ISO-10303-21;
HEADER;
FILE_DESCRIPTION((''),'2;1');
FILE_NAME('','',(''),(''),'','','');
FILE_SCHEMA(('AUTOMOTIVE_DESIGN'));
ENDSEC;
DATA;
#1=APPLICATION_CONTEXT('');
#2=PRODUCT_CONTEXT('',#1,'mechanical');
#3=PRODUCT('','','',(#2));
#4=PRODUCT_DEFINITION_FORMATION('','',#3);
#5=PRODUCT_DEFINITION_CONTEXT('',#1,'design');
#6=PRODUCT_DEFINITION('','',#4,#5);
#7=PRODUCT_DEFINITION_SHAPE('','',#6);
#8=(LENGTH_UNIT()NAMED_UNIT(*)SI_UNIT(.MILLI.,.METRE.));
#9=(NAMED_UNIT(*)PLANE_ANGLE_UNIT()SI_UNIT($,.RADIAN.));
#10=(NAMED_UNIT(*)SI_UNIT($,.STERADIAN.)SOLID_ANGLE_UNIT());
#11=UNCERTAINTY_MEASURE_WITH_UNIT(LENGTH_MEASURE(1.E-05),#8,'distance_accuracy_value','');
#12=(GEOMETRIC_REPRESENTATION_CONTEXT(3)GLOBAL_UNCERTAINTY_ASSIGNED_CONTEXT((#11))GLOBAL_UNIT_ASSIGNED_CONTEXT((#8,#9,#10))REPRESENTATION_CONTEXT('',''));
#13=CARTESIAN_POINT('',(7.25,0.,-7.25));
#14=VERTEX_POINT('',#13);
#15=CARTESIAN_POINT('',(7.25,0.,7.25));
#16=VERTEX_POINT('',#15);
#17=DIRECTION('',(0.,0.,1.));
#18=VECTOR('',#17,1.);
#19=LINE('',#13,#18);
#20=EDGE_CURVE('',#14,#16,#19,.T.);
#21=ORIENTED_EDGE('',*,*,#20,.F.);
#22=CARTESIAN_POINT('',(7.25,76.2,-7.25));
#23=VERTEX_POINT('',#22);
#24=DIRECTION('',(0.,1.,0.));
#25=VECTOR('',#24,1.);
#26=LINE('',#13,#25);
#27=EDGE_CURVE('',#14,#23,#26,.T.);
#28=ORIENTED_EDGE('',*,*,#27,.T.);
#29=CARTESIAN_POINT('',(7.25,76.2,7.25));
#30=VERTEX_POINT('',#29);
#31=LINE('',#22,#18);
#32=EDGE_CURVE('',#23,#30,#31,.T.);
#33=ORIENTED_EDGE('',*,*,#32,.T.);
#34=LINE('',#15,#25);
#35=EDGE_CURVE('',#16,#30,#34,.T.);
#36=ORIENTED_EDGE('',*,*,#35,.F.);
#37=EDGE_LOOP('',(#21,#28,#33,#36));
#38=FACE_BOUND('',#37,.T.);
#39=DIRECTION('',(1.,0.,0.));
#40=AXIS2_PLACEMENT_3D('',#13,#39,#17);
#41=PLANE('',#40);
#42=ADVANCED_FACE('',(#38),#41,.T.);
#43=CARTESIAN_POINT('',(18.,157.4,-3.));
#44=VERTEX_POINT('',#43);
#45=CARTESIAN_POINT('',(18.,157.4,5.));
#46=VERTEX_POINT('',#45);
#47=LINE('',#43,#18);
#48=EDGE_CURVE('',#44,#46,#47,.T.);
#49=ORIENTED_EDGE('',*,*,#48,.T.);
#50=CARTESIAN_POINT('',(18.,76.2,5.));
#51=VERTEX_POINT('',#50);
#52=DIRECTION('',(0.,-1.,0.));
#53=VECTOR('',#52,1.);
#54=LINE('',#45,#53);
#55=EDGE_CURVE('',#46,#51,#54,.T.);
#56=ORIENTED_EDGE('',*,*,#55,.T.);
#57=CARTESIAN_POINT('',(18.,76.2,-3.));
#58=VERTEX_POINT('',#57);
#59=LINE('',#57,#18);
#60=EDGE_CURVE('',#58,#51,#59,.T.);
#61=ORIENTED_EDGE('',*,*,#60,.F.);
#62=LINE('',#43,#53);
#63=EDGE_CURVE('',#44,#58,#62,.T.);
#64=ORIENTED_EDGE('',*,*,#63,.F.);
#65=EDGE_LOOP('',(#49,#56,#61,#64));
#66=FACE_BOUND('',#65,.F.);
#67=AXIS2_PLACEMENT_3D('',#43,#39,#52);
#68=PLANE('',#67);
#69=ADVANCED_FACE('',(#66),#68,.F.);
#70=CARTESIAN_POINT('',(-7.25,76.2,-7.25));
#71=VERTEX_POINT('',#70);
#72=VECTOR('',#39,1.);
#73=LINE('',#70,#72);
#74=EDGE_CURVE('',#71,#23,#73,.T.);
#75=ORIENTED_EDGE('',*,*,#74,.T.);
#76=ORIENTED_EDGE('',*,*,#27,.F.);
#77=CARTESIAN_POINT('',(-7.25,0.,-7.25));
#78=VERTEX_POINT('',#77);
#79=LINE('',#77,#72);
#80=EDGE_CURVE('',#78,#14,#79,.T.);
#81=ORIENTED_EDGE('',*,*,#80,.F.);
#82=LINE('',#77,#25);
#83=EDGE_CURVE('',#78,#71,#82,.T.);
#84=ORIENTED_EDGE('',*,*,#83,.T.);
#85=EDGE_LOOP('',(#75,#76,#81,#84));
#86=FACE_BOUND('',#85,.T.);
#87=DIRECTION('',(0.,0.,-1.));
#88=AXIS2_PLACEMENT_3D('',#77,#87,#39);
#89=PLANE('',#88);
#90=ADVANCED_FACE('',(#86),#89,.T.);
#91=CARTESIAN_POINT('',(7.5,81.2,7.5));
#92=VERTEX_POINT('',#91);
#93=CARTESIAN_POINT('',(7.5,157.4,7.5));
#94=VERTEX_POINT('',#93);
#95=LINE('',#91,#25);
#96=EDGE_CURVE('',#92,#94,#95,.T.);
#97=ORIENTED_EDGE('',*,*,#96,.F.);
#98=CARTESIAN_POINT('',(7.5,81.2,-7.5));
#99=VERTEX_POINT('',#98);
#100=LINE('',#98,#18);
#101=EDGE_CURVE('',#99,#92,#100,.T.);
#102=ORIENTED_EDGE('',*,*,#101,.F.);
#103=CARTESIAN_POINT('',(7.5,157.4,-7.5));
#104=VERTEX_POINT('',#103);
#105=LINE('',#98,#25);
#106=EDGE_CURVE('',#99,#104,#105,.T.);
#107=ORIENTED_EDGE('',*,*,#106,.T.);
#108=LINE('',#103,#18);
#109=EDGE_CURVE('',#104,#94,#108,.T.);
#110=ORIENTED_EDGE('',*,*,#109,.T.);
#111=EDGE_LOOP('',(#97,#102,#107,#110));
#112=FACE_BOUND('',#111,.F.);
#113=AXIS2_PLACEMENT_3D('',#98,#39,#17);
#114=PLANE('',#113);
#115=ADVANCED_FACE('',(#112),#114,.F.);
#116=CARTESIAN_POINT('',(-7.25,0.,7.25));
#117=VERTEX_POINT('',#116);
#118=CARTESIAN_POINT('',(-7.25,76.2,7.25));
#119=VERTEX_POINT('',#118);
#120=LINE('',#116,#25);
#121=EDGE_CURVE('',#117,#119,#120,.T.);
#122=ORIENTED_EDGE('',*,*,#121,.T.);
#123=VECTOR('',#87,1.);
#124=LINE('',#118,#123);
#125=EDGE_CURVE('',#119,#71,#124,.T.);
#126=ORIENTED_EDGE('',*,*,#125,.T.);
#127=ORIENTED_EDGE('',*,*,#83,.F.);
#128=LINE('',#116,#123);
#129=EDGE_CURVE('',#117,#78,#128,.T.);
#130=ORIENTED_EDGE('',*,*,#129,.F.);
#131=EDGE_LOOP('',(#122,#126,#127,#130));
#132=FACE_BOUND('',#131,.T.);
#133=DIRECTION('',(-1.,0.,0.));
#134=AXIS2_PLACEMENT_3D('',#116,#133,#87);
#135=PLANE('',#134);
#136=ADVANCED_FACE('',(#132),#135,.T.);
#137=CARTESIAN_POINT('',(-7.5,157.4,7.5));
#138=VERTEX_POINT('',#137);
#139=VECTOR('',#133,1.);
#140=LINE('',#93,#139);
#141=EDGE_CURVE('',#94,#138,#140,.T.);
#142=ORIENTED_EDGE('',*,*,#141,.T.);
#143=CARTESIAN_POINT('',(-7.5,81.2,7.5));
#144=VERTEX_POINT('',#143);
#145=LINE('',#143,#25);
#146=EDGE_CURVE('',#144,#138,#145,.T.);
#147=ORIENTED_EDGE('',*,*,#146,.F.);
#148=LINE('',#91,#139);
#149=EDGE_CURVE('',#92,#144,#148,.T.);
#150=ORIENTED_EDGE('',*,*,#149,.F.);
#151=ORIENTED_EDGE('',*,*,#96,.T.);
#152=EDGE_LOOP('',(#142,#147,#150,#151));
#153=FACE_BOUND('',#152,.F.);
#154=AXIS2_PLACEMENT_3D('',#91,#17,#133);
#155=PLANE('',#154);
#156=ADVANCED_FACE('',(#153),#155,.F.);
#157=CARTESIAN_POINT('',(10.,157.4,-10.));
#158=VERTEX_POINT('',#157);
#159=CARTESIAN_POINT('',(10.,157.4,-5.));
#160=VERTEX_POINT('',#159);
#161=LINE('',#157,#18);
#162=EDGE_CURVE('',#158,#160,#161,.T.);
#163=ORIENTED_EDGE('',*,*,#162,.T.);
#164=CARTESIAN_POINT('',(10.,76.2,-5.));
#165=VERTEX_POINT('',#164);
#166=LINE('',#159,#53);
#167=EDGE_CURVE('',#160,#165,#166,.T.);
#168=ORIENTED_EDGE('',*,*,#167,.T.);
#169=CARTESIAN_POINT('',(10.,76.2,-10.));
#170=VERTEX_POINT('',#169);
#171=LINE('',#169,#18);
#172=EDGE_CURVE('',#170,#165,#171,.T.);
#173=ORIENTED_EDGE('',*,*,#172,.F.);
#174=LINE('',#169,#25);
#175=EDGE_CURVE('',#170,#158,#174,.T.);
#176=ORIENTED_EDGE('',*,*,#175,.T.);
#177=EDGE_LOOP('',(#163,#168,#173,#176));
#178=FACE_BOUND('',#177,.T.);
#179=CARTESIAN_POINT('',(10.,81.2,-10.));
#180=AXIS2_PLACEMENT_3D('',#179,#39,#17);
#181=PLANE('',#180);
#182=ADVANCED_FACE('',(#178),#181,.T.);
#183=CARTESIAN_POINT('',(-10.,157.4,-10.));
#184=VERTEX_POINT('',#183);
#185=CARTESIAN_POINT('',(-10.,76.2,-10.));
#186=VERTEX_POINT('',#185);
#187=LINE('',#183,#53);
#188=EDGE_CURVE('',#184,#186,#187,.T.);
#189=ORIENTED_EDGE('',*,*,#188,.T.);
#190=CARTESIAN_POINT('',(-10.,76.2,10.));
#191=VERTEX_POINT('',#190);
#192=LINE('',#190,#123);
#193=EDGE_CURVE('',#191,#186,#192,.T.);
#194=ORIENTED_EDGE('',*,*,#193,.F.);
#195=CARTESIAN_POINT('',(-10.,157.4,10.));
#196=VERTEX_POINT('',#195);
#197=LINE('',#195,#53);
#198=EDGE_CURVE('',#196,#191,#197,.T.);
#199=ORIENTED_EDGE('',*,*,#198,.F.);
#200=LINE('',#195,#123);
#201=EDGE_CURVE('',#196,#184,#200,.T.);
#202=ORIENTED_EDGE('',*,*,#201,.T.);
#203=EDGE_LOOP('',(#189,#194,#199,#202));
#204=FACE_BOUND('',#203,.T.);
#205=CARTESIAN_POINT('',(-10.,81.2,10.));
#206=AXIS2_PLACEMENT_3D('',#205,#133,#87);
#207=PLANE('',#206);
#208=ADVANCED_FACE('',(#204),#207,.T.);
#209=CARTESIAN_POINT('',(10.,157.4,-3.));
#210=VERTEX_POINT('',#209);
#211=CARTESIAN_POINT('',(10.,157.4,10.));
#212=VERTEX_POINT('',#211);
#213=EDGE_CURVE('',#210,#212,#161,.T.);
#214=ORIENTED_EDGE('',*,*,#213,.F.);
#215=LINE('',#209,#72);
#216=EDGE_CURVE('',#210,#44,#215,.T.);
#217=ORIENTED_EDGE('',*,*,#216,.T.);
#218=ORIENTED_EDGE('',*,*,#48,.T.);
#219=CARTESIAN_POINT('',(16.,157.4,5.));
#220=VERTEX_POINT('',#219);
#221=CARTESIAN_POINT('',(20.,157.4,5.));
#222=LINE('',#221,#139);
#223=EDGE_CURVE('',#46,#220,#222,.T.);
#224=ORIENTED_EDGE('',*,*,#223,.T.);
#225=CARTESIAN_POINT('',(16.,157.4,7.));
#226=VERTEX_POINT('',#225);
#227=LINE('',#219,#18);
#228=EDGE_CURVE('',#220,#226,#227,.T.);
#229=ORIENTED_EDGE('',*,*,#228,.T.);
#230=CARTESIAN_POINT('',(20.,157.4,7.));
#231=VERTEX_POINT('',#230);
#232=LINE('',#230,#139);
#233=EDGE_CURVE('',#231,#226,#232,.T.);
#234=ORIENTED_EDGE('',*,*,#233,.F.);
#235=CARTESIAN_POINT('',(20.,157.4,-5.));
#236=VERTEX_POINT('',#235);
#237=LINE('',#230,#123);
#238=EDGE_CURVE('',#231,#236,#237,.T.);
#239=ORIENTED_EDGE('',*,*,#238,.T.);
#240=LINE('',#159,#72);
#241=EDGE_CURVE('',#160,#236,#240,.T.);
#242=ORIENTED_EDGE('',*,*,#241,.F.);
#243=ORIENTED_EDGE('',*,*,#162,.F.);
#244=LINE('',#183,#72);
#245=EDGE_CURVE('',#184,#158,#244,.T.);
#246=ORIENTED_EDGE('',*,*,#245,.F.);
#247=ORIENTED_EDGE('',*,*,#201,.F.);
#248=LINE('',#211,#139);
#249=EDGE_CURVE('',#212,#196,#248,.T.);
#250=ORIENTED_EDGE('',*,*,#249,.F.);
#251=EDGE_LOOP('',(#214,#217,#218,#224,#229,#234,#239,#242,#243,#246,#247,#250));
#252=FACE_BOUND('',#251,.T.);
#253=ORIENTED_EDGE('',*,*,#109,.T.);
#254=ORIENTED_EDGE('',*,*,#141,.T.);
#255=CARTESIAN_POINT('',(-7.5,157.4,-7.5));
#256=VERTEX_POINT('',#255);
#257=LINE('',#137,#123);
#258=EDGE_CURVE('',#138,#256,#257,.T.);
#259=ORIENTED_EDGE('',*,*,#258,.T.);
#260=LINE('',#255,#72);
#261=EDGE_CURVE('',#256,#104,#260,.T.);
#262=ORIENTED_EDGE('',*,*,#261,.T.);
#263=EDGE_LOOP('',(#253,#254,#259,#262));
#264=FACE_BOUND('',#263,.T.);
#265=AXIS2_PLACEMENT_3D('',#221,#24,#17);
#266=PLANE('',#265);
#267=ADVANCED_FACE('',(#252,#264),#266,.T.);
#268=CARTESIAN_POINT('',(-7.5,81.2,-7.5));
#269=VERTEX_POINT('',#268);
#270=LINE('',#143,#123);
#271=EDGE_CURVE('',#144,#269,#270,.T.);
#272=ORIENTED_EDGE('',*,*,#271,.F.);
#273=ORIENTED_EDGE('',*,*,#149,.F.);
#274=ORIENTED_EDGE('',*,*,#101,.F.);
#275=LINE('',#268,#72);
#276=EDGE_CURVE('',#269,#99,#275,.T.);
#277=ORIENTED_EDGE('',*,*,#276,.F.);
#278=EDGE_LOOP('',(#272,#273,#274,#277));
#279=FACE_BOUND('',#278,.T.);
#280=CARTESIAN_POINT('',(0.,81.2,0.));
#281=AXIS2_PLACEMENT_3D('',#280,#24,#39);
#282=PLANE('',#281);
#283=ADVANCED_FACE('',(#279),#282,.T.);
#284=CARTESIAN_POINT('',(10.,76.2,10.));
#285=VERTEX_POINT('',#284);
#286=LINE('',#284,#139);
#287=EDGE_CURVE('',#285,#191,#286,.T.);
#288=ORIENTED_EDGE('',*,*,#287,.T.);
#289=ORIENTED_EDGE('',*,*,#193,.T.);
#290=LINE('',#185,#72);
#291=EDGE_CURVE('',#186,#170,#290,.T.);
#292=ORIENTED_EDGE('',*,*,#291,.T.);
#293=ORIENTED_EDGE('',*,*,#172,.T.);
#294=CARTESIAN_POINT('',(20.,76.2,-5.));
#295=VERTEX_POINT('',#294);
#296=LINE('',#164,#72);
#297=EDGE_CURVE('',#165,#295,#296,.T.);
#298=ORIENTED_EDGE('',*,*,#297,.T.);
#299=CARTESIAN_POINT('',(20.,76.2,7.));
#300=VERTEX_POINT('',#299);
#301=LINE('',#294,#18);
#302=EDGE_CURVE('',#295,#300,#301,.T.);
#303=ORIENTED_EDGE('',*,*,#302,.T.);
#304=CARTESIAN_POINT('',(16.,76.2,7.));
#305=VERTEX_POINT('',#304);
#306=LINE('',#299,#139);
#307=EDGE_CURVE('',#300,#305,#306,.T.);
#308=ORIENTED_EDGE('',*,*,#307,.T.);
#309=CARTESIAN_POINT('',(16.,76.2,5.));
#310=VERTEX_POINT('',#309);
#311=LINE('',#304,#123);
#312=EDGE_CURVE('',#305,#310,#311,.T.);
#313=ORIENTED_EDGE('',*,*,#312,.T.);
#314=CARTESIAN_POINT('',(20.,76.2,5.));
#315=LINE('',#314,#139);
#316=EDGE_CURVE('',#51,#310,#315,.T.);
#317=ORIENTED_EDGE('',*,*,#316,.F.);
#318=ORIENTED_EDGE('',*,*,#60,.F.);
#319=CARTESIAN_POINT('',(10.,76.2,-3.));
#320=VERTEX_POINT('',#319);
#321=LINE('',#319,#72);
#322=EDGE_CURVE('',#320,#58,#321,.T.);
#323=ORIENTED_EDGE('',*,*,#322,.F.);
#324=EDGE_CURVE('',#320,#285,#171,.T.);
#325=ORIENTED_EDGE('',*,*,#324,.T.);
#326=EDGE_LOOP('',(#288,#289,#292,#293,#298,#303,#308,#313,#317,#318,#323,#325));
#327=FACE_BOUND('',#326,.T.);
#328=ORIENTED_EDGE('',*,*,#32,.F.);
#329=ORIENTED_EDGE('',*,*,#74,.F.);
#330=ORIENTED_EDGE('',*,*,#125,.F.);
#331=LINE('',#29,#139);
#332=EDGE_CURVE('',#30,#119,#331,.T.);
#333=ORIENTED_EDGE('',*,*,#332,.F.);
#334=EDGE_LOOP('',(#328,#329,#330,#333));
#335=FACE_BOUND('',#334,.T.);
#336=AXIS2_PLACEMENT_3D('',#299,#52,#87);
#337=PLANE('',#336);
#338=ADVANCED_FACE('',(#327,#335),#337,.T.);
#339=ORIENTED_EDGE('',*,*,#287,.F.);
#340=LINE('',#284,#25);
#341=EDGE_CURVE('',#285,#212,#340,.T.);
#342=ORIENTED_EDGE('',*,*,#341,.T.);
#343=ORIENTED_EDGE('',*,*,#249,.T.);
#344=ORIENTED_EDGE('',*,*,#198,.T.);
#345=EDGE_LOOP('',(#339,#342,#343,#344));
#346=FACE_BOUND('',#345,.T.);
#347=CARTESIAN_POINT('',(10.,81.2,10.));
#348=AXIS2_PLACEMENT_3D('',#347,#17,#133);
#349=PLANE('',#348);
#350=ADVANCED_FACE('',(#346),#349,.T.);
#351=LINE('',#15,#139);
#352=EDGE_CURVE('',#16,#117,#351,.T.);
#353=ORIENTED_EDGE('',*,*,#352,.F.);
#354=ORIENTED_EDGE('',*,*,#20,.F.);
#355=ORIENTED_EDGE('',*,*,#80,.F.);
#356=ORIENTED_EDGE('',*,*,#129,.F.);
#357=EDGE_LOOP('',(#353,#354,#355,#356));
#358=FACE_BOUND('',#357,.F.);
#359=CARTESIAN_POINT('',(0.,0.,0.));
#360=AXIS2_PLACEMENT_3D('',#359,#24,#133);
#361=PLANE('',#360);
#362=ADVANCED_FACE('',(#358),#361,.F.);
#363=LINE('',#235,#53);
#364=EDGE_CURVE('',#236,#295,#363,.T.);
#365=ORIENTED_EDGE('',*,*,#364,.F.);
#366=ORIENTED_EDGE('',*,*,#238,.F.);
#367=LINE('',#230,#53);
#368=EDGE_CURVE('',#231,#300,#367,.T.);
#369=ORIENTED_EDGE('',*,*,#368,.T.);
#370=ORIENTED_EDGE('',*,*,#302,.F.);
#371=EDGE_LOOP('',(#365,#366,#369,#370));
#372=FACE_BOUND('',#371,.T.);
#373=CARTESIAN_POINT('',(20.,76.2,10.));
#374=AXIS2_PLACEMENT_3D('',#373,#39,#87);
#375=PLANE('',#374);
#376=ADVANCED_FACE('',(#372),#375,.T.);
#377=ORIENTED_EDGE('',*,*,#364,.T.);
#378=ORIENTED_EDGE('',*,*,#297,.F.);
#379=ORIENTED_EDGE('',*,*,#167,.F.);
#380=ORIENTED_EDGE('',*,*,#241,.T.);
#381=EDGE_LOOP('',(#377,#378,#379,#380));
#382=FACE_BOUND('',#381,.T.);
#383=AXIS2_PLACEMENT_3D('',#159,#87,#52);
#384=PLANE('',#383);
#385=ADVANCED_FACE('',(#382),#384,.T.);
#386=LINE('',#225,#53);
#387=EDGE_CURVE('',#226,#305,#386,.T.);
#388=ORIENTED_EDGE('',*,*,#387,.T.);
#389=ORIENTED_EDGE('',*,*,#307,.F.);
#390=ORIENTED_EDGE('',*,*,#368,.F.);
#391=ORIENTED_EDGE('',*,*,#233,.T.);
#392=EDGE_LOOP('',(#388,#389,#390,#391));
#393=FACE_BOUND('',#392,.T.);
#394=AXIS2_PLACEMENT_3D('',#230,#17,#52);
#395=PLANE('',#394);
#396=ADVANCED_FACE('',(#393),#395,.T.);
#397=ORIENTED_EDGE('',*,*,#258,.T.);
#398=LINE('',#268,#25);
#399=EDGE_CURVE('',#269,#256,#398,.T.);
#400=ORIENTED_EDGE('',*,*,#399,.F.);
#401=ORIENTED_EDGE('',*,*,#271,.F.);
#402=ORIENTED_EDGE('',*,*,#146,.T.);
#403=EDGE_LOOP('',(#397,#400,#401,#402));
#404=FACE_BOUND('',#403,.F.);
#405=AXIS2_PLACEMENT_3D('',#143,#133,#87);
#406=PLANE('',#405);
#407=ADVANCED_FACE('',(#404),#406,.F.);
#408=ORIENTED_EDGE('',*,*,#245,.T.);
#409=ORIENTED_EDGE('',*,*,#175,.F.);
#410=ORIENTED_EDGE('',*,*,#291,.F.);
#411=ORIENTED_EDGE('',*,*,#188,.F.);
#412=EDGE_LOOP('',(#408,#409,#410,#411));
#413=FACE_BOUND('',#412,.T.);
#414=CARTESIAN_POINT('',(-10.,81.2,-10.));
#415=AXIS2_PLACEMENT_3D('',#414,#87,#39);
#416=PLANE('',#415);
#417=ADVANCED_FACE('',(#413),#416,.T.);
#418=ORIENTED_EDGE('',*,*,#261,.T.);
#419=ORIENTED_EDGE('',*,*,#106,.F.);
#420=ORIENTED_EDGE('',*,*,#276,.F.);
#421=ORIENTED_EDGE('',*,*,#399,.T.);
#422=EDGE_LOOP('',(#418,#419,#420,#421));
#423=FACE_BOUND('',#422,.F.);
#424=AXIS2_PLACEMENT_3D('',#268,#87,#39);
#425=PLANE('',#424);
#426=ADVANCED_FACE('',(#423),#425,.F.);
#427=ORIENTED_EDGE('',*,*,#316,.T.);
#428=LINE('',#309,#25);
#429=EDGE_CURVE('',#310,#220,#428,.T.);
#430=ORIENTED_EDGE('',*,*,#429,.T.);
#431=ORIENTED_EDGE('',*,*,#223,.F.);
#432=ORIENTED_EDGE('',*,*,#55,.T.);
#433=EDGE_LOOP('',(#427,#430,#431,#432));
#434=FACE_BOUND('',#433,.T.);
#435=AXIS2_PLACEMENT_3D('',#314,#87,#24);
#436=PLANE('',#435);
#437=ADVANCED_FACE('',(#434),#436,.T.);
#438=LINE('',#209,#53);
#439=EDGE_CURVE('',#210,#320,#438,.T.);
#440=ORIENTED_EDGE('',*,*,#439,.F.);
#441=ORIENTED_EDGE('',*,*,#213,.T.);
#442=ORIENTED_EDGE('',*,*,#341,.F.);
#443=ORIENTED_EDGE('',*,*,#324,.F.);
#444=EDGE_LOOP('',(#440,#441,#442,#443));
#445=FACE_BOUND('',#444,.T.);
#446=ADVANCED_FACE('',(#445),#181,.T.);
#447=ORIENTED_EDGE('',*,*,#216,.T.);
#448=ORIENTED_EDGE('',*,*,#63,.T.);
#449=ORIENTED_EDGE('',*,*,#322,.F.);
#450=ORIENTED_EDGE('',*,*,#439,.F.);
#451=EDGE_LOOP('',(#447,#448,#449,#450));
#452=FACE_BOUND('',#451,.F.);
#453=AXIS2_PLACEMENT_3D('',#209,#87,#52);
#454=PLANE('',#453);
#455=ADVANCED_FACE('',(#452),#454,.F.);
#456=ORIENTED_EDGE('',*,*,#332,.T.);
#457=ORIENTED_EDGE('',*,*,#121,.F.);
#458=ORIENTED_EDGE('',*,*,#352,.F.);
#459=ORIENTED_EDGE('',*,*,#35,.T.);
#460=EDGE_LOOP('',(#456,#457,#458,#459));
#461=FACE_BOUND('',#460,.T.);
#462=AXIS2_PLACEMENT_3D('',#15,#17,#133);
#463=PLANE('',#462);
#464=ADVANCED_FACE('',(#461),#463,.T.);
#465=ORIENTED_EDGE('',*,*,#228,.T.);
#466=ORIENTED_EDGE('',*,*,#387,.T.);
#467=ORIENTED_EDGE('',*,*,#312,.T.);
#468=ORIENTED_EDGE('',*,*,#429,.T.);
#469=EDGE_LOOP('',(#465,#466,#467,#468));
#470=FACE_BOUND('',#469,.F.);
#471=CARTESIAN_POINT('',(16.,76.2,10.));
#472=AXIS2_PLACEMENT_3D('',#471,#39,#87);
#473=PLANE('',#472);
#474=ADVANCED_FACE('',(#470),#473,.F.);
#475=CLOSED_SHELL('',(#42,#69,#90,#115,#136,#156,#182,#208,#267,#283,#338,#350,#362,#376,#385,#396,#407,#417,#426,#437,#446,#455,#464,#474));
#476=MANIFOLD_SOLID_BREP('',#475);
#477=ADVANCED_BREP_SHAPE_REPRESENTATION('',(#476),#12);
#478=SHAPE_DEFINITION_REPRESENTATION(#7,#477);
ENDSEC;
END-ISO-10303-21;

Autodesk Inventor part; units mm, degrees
ref_plane "YZ Plane" through (0, 0, 0) normal (1, 0, 0) x (0, 1, 0)
ref_plane "XZ Plane" through (0, 0, 0) normal (0, 1, 0) x (-1, 0, 0)
ref_plane "XY Plane" through (0, 0, 0) normal (0, 0, 1) x (1, 0, 0)
sketch "Sketch1" plane through (0, 0, 0) normal (0, 1, 0) x (-1, 0, 0)
  line L0 (-7.25, 7.25) -> (7.25, 7.25)
  line L1 (7.25, 7.25) -> (7.25, -7.25)
  line L2 (7.25, -7.25) -> (-7.25, -7.25)
  line L3 (-7.25, -7.25) -> (-7.25, 7.25)
  line L4 (-7.25, 7.25) -> (7.25, -7.25) construction
  line L5 (7.25, 7.25) -> (-7.25, -7.25) construction
  point P0 (0, 0)
  dimension "d0" = 14.5
  dimension "d1" = 14.5
extrude "Extrusion1" add sketch "Sketch1" along normal blind 76.2
sketch "Sketch2" plane through (0, 76.2, 0) normal (0, 1, 0) x (1, 0, 0)
  line L0 (10, -10) -> (-10, -10)
  line L1 (-10, -10) -> (-10, 10)
  line L2 (-10, 10) -> (10, 10)
  line L3 (10, 10) -> (10, -10)
  line L4 (10, -10) -> (-10, 10) construction
  line L5 (-10, -10) -> (10, 10) construction
  point P0 (0, 0)
  dimension "d4" = 20
  dimension "d5" = 20
extrude "Extrusion2" add sketch "Sketch2" along normal blind 5
sketch "Sketch3" plane through (0, 81.2, 0) normal (0, 1, 0) x (1, 0, 0)
  line L0 (7.5, -7.5) -> (-7.5, -7.5)
  line L1 (-7.5, -7.5) -> (-7.5, 7.5)
  line L2 (-7.5, 7.5) -> (7.5, 7.5)
  line L3 (7.5, 7.5) -> (7.5, -7.5)
  line L4 (7.5, -7.5) -> (-7.5, 7.5) construction
  line L5 (-7.5, -7.5) -> (7.5, 7.5) construction
  line L6 (10, -10) -> (-10, -10)
  line L7 (-10, -10) -> (-10, 10)
  line L8 (-10, 10) -> (10, 10)
  line L9 (10, 10) -> (10, -10)
  line L10 (10, -10) -> (-10, 10) construction
  line L11 (-10, -10) -> (10, 10) construction
  point P0 (0, 0)
  dimension "d8" = 15
  dimension "d9" = 15
extrude "Extrusion3" add sketch "Sketch3" along normal blind 76.2
sketch "Sketch4" plane through (10, 76.2, 10) normal (1, 0, 0) x (0, 0, -1)
  line L0 (20, 0) -> (20, 81.2) projected
  line L1 (15, 81.2) -> (15, 0)
  line L2 (0, 0) -> (20, 0) projected
  line L3 (15, 81.2) -> (13, 81.2)
  line L4 (17.5, 81.2) -> (2.5, 81.2) projected
  line L5 (13, 81.2) -> (13, 0)
  line L6 (13, 0) -> (15, 0)
  line L7 (20, 81.2) -> (0, 81.2) projected
  point P0 (10, -76.2)
  dimension "d12" = 2
extrude "Extrusion4" add sketch "Sketch4" along normal blind 10 contours L2 L5 L3 L1
sketch "Sketch5" plane through (10, 76.2, -3) normal (0, 0, 1) x (1, 0, 0)
  line L0 (0, 81.2) -> (10, 81.2) projected
  line L1 (10, 81.2) -> (8, 81.2)
  line L2 (8, 81.2) -> (8, 0)
  line L3 (8, 0) -> (10, 0)
  line L4 (10, 0) -> (10, 81.2)
  point P0 (-10, -76.2)
  dimension "d15" = 2
extrude "Extrusion5" add sketch "Sketch5" along normal blind 8
sketch "Sketch6" plane through (20, 76.2, 10) normal (1, 0, 0) x (0, 0, -1)
  line L0 (5, 81.2) -> (3, 81.2)
  line L1 (3, 81.2) -> (3, 0)
  line L2 (3, 0) -> (5, 0)
  line L3 (5, 0) -> (5, 81.2)
  point P0 (10, -76.2)
  dimension "d18" = 2
extrude "Extrusion6" add sketch "Sketch6" against normal blind 4
properties part number "CraneArmLink"
